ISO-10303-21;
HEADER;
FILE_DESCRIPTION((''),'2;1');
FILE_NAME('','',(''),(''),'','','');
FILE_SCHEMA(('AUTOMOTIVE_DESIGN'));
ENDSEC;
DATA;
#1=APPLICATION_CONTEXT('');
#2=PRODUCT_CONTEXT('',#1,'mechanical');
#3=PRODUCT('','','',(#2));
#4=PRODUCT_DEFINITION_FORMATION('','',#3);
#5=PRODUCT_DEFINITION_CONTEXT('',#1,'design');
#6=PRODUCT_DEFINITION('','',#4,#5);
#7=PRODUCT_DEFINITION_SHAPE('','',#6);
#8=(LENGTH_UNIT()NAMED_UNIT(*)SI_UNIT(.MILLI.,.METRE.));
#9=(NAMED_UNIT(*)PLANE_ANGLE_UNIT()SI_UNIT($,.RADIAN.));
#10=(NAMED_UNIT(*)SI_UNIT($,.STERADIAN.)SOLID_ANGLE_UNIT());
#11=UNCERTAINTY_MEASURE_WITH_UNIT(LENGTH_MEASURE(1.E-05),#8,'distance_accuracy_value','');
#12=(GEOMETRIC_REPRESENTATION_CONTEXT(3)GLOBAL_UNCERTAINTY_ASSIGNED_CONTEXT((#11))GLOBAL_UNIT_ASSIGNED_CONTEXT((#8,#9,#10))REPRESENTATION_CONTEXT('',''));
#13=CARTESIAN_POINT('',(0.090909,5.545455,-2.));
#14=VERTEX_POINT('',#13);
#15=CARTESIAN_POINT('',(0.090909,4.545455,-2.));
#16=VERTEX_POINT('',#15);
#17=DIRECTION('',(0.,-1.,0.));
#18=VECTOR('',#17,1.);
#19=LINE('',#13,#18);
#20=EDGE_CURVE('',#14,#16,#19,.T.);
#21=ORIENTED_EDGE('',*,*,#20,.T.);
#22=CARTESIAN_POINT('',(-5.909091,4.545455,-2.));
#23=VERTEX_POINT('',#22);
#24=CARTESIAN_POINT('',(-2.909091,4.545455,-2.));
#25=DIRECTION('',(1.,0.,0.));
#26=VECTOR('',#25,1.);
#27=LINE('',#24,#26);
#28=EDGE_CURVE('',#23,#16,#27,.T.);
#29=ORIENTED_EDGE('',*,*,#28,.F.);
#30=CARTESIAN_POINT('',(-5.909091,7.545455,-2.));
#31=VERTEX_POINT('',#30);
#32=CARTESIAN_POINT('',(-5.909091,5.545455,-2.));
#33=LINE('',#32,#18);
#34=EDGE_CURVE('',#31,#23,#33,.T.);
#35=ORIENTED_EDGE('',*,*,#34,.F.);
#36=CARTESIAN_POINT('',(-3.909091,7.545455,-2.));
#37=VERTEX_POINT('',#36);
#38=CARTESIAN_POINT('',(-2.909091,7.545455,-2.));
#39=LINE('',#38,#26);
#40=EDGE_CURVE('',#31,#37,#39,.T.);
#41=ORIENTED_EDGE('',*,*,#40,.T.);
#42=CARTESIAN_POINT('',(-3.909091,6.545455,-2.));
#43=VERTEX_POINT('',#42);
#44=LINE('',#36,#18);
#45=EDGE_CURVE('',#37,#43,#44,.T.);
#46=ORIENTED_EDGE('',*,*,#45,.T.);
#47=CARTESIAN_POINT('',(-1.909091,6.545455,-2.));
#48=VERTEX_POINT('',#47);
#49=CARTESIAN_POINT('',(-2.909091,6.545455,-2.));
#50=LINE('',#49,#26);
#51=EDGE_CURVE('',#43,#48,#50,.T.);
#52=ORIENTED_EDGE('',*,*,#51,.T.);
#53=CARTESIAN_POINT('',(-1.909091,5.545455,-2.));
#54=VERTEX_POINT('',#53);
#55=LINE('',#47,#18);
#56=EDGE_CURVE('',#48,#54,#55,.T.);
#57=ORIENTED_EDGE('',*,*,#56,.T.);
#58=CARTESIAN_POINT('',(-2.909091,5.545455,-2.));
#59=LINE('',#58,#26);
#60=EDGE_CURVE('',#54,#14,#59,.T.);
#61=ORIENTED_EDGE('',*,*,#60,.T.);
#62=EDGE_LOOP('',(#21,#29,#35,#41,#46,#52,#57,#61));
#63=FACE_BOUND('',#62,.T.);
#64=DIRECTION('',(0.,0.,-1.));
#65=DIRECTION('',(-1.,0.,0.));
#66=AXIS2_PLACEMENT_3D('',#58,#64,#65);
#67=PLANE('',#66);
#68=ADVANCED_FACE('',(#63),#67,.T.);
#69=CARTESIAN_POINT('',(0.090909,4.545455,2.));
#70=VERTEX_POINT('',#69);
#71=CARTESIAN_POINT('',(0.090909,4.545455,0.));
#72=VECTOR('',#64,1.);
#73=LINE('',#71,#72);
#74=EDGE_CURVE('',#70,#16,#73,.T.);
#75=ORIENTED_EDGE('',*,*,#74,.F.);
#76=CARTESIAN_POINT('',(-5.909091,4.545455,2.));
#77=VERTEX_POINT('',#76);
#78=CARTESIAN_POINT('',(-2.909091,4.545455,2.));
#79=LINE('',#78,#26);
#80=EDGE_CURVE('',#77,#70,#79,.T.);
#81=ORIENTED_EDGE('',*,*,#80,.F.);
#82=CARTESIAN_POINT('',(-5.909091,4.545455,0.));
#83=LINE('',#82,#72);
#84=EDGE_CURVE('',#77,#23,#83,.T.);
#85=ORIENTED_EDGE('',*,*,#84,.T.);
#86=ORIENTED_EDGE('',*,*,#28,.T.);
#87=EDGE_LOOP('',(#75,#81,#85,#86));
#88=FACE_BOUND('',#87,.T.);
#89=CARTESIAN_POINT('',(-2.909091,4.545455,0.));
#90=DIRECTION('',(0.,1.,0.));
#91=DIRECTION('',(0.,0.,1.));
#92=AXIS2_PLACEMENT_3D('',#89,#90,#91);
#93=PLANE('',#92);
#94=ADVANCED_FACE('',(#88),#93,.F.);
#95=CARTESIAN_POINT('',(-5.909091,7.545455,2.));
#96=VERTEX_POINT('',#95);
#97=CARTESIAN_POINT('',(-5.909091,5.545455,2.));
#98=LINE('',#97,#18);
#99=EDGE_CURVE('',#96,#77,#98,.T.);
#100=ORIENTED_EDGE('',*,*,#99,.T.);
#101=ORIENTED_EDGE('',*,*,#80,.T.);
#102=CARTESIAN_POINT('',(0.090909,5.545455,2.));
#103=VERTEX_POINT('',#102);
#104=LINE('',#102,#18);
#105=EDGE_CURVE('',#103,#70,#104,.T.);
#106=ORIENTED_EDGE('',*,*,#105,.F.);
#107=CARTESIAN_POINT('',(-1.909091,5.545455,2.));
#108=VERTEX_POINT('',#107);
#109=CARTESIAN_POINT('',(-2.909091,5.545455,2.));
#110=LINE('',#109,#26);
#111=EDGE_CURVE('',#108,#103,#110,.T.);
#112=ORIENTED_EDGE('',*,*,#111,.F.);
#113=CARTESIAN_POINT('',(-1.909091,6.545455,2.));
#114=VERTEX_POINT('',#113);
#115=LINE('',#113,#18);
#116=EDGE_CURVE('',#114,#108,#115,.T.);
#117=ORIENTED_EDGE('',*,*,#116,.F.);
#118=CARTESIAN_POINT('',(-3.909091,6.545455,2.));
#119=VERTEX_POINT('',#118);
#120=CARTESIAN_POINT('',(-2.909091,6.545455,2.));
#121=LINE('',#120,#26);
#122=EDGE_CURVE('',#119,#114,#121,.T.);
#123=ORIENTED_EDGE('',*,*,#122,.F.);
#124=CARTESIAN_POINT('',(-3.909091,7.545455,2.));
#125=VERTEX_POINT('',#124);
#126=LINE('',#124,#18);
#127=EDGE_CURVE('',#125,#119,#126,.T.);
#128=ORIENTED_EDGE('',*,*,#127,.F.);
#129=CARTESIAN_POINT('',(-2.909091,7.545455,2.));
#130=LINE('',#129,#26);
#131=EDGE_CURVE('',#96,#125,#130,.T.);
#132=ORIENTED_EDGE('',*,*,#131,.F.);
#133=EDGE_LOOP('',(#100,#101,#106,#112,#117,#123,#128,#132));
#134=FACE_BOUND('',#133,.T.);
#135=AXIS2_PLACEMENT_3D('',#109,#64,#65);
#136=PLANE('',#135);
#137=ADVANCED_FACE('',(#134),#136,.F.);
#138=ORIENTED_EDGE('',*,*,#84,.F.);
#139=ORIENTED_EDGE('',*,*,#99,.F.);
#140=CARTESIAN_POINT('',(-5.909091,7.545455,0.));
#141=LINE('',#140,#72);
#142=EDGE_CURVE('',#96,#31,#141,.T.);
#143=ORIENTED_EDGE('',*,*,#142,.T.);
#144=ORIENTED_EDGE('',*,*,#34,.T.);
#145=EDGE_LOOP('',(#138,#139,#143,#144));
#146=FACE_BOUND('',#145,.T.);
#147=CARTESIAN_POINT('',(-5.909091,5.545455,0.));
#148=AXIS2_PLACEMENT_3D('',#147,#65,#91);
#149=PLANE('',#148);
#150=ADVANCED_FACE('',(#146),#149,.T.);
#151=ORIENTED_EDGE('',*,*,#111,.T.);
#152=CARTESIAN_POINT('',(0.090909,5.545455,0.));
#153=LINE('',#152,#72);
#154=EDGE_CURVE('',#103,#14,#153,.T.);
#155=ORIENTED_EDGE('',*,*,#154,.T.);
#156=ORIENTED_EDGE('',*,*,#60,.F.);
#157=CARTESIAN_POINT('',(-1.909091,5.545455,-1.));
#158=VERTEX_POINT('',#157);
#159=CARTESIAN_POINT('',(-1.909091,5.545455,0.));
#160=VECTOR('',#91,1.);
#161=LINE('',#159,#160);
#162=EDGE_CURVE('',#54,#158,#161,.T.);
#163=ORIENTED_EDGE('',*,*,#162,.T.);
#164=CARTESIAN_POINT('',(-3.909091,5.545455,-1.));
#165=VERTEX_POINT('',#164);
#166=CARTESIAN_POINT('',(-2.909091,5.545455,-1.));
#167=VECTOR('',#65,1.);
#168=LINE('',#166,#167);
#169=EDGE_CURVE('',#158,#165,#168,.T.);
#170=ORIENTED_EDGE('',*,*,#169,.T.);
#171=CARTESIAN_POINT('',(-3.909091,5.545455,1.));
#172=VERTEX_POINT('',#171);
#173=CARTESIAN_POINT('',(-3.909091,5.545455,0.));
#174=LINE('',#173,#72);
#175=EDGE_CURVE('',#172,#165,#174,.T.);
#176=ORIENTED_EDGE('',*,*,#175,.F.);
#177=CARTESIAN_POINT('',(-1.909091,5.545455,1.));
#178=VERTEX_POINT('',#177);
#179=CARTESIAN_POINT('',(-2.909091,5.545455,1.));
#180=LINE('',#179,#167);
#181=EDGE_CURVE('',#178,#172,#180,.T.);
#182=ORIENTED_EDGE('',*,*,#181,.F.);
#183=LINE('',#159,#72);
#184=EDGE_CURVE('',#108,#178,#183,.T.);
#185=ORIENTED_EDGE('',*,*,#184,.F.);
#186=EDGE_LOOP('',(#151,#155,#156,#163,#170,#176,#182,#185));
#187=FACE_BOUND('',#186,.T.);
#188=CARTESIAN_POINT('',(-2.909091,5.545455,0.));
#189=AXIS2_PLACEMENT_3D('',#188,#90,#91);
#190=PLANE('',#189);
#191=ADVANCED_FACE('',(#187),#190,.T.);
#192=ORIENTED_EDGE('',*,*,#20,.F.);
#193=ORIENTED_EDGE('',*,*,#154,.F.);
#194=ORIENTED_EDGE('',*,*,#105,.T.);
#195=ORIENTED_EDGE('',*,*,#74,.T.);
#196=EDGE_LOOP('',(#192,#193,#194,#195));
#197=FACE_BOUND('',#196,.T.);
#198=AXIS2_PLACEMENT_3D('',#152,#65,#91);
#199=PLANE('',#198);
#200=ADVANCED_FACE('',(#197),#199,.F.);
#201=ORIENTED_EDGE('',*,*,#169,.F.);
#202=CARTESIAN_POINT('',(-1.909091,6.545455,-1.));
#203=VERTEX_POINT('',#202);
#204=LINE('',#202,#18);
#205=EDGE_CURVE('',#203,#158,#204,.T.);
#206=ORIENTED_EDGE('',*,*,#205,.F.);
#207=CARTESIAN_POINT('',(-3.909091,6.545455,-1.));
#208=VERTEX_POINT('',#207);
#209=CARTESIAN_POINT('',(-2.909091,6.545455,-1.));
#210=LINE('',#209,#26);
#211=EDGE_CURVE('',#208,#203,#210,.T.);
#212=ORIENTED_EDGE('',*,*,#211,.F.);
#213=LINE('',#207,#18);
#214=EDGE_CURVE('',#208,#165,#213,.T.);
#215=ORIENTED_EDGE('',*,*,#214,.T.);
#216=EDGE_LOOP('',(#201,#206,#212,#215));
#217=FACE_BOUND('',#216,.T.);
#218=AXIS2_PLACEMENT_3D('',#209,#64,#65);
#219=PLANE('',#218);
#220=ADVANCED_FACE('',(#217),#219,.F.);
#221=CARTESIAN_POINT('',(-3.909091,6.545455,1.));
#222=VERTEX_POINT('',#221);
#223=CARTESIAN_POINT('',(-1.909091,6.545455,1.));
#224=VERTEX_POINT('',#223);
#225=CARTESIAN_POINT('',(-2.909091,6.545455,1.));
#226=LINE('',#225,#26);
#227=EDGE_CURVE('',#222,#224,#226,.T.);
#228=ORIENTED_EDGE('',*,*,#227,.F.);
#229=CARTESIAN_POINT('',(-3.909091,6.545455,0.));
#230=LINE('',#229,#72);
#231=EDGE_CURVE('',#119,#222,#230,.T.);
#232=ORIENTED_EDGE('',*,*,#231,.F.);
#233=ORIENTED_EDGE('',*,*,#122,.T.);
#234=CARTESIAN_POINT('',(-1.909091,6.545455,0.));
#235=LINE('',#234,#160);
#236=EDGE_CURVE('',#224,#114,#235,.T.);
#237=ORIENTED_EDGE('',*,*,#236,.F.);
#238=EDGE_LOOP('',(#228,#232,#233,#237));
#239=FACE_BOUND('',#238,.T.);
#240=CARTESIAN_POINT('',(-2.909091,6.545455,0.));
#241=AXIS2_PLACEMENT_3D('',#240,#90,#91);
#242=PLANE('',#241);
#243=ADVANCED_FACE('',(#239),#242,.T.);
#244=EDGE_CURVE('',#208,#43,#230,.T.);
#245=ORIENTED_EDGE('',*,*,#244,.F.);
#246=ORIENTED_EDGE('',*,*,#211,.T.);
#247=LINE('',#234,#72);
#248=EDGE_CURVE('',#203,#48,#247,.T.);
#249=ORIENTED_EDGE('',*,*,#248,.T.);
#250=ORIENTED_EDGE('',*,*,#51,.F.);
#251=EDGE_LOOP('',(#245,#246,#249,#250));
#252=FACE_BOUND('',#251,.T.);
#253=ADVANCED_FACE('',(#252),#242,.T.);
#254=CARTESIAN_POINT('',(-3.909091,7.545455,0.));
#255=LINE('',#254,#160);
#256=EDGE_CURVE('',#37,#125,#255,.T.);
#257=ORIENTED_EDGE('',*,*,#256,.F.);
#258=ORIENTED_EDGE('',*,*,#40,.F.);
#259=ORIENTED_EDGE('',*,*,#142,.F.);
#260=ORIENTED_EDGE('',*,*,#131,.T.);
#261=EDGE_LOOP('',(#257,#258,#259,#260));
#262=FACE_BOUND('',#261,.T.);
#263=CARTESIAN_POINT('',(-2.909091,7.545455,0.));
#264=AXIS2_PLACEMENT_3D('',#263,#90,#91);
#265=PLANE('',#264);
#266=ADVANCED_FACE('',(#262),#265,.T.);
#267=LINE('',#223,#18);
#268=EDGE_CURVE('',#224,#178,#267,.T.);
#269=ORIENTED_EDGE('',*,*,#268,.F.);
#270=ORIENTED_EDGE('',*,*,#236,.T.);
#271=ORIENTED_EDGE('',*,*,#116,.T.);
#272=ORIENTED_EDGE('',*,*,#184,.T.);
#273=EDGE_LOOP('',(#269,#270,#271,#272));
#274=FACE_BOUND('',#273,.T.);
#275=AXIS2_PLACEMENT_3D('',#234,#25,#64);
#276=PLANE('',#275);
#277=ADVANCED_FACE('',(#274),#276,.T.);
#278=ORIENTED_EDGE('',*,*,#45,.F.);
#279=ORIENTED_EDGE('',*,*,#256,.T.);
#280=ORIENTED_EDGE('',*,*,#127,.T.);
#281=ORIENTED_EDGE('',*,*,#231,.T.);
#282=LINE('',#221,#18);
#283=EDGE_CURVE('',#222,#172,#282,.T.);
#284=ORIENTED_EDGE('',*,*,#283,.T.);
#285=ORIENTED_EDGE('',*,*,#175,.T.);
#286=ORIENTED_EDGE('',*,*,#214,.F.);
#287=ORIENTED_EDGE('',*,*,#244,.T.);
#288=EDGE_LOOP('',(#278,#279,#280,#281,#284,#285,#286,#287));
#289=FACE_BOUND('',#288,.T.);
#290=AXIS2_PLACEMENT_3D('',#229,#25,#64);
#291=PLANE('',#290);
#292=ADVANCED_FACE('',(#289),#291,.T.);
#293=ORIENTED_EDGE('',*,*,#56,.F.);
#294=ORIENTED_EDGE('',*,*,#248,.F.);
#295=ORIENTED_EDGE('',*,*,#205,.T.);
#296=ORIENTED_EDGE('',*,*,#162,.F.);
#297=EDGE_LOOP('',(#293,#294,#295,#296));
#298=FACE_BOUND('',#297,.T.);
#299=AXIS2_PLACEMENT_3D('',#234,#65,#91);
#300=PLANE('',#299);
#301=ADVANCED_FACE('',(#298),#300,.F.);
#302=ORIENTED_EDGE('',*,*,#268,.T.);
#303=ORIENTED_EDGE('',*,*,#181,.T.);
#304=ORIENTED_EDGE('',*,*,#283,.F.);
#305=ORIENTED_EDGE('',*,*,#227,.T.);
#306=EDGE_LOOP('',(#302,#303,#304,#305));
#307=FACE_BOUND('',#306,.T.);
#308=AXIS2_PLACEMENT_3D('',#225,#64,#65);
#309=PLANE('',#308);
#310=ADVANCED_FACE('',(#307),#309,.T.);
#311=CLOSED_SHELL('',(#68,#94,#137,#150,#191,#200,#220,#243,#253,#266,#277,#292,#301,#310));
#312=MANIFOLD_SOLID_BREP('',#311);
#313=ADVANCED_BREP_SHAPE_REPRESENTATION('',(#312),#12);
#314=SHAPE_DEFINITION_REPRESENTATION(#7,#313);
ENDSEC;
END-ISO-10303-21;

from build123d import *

# Parameters (mm, degrees)
SKETCH_1_W      = 30
SKETCH_1_H      = 20
EXTRUDE_1_DEPTH = 5
EXTRUDE_2_DEPTH = 10
EXTRUDE_3_DEPTH = 15
SCALE_1_SCALE   = 0.2


with BuildPart() as part:
    # 草圖1 → 填料-伸長1 (new body)
    with BuildSketch(Plane(origin=(0, 0, 0), x_dir=(1, 0, 0), z_dir=(0, 1, 0))):
        Rectangle(SKETCH_1_W, SKETCH_1_H)
    extrude(amount=EXTRUDE_1_DEPTH)

    # 草圖1<3> → 填料-伸長2 (add)
    with BuildSketch(Plane(origin=(0, 0, 0), x_dir=(1, 0, 0), z_dir=(0, 1, 0))):
        Polygon((5, 10), (-15, 10), (-15, -10), (5, -10), (5, -5), (-5, -5), (-5, 5), (5, 5), align=None)
    extrude(amount=EXTRUDE_2_DEPTH)

    # 草圖1<4> → 填料-伸長3 (add)
    with BuildSketch(Plane(origin=(0, 0, 0), x_dir=(1, 0, 0), z_dir=(0, 1, 0))):
        Polygon((-5, 5), (-5, 10), (-15, 10), (-15, -10), (-5, -10), (-5, -5), align=None)
    extrude(amount=EXTRUDE_3_DEPTH)


with BuildPart() as part_1:
    # 縮放比例1: scaled about (-3.636363636, 5.681818182, 0)
    add(part.part.scale(SCALE_1_SCALE).moved(Location((-2.909090909, 4.545454546, 0))))


solid = part_1.part
